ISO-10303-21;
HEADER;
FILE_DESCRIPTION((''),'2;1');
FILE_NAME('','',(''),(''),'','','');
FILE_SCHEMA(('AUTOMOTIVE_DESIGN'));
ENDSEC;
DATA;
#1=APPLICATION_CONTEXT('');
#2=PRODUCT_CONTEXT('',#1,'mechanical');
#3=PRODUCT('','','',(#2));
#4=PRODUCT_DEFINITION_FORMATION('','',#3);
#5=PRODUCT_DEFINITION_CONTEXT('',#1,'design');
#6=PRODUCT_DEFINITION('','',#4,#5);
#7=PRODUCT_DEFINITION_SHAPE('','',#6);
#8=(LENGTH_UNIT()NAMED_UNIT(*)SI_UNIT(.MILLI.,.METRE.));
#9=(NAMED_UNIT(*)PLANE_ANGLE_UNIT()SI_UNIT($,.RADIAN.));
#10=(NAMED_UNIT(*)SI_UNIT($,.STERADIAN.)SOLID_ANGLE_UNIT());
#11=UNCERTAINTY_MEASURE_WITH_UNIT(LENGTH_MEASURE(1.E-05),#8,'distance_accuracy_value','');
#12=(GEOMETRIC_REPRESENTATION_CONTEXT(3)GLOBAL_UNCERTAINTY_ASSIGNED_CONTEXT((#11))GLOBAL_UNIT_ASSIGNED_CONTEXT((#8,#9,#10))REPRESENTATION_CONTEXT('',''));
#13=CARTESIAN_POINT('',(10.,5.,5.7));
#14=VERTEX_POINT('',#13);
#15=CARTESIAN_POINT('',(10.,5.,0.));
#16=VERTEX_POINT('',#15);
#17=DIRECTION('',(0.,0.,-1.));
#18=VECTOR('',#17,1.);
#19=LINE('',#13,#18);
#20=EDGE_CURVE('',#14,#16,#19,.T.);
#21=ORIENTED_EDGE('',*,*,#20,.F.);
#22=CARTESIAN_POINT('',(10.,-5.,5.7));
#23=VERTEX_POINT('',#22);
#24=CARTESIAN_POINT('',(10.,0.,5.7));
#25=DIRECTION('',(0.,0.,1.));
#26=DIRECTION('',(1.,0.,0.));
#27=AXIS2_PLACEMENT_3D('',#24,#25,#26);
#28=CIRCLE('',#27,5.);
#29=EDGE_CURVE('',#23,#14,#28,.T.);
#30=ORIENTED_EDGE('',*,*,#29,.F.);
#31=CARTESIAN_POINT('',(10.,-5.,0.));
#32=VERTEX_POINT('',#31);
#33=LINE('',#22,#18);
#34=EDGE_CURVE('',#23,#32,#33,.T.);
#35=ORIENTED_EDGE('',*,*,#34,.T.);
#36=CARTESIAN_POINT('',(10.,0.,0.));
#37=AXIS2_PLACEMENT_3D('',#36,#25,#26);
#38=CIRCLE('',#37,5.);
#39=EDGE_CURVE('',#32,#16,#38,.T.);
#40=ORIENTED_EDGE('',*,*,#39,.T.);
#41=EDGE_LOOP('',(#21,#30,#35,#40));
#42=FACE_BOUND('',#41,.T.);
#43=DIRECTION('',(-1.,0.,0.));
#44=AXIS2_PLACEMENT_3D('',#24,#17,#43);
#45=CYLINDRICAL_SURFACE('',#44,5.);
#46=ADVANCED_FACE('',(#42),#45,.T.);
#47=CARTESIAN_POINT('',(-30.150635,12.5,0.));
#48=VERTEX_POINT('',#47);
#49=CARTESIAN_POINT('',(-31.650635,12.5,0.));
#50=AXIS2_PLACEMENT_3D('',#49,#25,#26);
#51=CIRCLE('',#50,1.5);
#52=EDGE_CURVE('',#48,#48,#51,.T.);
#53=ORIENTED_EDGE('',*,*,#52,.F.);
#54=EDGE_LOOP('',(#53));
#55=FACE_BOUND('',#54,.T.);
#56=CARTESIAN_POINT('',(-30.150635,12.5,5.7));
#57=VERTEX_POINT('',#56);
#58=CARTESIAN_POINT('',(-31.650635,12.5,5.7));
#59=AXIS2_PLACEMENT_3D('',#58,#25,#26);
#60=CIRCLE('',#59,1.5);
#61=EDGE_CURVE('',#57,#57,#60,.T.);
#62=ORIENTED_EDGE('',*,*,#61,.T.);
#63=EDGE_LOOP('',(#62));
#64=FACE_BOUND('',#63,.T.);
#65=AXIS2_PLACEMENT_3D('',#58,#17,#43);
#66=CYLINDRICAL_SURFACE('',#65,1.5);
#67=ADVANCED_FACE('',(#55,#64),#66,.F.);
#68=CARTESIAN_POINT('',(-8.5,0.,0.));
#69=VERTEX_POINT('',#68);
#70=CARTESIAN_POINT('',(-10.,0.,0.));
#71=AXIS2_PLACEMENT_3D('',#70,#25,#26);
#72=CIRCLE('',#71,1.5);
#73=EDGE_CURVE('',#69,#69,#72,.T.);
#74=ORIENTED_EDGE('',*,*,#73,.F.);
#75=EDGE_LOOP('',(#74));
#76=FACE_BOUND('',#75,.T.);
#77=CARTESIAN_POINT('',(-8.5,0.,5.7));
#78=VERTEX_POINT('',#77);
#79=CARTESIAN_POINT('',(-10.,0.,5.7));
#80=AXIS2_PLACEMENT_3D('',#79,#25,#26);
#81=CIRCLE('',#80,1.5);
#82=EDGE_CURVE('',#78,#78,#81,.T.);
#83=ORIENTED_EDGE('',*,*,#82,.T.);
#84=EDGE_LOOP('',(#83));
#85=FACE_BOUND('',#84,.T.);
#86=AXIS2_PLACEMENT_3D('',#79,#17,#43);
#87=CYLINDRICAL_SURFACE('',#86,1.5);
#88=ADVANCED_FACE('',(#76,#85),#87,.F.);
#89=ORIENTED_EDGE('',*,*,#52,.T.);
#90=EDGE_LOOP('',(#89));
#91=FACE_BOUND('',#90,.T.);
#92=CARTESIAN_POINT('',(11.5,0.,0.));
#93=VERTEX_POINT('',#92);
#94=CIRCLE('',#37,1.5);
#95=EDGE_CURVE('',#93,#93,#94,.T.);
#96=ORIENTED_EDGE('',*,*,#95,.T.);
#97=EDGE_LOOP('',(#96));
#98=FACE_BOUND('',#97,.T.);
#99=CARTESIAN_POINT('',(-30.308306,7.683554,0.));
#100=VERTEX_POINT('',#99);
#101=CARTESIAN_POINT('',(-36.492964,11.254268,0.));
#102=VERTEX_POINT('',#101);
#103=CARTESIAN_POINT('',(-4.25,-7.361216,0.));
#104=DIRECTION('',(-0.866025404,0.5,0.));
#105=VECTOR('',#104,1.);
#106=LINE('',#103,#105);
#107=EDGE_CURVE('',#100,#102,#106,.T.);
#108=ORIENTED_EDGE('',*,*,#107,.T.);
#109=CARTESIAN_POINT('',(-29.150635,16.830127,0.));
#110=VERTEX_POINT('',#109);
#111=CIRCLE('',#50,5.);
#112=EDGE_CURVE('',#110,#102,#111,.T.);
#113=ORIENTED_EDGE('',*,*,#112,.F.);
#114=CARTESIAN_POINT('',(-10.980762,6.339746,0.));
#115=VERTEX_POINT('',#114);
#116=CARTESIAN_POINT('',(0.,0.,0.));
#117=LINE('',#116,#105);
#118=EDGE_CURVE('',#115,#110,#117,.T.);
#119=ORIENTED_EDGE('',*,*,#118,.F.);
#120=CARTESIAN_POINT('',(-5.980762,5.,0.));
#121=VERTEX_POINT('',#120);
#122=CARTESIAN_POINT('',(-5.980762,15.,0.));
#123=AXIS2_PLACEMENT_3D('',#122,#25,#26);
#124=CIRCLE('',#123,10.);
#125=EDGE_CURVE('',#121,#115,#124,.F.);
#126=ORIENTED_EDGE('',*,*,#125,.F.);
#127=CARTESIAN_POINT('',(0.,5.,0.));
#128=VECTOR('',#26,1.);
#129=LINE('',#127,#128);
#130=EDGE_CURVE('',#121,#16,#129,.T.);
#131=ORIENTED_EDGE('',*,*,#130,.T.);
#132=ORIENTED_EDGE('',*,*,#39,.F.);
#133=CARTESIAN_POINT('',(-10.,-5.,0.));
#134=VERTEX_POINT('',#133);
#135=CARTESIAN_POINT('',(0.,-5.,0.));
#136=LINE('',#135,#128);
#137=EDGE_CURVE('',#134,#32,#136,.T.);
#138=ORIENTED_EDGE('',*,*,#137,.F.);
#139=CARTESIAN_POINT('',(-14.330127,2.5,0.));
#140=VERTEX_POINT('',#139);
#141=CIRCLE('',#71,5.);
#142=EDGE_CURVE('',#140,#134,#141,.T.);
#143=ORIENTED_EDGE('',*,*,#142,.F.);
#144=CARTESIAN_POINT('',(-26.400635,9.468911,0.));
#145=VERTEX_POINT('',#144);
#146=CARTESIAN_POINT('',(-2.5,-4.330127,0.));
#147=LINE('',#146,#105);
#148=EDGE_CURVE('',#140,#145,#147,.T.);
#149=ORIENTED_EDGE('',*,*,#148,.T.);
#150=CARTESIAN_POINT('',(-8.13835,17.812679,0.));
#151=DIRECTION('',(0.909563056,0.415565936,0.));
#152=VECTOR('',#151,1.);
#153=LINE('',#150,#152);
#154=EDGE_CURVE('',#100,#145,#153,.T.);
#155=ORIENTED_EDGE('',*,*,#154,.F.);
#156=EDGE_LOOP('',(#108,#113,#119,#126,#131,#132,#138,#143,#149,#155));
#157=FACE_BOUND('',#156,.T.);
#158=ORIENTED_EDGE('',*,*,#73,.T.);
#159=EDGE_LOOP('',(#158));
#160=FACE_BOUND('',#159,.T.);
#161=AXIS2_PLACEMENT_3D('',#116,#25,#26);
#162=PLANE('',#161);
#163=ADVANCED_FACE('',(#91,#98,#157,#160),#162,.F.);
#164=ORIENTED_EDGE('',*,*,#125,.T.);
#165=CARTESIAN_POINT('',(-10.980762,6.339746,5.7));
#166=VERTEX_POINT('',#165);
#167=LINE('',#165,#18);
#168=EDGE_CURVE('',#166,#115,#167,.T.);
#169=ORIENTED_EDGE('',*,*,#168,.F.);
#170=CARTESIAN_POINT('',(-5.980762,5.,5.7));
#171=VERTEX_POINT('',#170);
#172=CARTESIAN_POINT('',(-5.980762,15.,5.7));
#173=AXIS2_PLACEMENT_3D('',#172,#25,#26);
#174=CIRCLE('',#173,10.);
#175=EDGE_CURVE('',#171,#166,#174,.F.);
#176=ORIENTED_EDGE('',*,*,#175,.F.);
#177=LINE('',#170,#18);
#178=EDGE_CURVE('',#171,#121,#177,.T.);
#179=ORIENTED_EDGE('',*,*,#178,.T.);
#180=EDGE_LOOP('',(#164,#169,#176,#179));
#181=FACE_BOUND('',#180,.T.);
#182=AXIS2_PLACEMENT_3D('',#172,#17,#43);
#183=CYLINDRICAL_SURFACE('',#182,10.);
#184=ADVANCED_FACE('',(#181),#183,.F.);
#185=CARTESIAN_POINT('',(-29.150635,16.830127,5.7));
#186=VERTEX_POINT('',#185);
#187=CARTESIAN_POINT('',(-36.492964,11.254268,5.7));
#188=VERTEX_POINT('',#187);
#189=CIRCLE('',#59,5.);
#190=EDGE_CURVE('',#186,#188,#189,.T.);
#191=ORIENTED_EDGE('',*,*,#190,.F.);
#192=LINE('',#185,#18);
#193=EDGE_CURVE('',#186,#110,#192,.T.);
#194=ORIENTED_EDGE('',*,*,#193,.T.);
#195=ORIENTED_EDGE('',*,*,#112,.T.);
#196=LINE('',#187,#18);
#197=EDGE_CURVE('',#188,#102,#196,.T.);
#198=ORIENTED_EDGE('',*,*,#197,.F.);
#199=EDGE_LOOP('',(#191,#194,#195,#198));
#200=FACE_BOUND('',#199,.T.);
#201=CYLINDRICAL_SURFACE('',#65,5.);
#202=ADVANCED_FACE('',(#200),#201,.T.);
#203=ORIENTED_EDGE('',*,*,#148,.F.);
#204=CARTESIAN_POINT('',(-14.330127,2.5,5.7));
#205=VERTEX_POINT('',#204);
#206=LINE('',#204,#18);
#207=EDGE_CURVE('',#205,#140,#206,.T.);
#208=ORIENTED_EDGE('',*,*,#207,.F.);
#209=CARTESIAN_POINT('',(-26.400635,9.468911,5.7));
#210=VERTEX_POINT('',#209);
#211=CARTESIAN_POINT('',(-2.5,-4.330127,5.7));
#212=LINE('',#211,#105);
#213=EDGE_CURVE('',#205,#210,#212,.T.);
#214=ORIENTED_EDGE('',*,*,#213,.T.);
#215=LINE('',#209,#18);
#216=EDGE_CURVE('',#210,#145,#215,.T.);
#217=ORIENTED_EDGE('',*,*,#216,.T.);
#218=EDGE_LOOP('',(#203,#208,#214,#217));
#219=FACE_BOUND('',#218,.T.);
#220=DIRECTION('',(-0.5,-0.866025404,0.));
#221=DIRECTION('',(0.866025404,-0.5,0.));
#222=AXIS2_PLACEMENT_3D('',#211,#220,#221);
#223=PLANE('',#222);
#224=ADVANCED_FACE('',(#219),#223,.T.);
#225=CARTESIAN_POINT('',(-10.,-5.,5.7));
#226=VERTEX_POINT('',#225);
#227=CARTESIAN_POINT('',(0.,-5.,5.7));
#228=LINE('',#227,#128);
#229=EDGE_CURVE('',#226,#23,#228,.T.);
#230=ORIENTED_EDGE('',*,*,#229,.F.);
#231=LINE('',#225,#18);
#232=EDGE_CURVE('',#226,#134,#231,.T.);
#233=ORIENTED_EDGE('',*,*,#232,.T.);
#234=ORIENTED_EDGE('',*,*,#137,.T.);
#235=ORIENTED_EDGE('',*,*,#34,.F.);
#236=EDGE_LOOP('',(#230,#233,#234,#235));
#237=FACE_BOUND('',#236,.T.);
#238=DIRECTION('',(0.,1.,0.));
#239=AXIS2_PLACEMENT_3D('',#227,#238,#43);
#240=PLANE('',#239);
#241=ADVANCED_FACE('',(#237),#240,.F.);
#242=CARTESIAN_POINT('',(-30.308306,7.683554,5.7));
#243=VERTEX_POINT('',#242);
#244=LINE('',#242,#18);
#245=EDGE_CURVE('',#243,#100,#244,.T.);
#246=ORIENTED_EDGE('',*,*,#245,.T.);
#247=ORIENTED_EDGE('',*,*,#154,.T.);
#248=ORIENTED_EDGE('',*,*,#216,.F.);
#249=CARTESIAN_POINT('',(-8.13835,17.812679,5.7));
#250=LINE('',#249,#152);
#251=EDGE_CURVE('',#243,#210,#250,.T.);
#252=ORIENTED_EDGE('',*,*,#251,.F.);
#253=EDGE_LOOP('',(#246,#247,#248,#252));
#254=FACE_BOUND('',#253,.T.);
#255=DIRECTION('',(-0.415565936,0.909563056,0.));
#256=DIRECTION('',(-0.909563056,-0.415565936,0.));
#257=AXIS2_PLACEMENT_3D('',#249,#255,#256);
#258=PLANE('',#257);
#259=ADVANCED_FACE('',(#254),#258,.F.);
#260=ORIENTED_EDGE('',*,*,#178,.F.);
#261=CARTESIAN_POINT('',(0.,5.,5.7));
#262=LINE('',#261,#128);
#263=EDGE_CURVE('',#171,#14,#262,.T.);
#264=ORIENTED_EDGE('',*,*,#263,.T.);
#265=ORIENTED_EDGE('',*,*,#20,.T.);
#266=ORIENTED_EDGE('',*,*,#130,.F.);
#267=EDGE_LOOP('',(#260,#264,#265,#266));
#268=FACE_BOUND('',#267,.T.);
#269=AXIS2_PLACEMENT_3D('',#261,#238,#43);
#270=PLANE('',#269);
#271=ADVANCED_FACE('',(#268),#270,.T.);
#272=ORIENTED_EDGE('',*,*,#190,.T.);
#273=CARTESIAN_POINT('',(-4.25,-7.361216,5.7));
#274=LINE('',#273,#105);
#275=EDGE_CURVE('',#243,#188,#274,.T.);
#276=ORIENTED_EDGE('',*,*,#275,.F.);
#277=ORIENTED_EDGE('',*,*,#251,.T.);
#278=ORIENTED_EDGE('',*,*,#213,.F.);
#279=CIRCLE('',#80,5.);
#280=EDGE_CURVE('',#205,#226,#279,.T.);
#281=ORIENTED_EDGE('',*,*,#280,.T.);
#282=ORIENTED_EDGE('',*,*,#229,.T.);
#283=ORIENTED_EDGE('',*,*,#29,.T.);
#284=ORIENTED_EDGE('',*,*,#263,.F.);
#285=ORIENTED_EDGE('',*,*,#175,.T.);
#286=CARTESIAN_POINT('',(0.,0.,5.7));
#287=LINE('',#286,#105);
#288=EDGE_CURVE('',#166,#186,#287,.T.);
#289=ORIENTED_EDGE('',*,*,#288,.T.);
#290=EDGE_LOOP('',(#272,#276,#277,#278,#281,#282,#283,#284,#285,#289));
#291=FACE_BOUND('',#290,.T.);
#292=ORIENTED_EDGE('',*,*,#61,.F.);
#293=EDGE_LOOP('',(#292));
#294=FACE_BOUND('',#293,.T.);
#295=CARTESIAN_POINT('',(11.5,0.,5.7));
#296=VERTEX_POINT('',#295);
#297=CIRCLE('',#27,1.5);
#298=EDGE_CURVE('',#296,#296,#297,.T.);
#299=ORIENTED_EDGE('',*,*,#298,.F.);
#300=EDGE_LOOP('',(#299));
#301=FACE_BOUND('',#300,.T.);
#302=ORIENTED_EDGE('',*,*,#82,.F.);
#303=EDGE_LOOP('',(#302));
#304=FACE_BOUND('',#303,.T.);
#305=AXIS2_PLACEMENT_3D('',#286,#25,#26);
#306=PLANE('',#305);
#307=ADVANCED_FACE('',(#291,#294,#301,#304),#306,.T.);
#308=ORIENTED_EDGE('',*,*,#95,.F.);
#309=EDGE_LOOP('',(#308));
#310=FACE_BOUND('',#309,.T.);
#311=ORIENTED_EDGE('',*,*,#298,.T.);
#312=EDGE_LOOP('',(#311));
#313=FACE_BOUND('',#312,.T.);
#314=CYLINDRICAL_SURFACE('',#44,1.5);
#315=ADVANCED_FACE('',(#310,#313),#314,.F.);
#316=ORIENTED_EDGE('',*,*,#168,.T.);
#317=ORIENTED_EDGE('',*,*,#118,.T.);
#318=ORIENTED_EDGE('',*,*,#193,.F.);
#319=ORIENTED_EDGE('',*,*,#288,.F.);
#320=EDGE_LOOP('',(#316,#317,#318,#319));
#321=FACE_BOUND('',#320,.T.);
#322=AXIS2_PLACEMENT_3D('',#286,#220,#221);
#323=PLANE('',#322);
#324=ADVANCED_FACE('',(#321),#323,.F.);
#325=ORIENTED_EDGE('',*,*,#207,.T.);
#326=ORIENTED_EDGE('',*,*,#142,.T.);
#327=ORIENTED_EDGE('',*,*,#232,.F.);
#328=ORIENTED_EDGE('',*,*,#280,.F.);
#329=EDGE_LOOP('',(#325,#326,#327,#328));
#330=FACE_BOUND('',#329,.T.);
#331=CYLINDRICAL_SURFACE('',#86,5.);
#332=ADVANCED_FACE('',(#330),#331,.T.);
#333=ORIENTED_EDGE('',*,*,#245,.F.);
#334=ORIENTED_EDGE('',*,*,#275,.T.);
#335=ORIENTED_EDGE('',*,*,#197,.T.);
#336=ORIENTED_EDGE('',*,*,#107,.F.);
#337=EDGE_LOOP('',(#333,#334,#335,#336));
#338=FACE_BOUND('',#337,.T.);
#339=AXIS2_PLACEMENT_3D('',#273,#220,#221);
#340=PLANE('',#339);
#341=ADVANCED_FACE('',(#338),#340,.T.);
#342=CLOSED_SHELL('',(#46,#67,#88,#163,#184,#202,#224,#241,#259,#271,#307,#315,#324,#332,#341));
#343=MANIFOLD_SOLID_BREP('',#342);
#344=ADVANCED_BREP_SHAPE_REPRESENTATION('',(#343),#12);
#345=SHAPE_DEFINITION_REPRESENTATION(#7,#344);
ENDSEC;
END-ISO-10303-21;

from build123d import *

# Parameters (mm, degrees)
SKETCH_1_R      = 1.5
EXTRUDE_1_DEPTH = 5.7


with BuildPart() as part:
    # 스케치1 → 보스-돌출1 (new body)
    with BuildSketch(Plane.XY):
        with BuildLine():
            Line((-5.980762114, 5), (10, 5))
            ThreePointArc((10, 5), (15, 0), (10, -5))
            Line((10, -5), (-10, -5))
            ThreePointArc((-10, -5), (-14.330127019, -2.5), (-14.330127019, 2.5))
            Line((-14.330127019, 2.5), (-26.400635095, 9.468911087))
            Line((-26.400635095, 9.468911087), (-30.308305875, 7.68355398))
            Line((-30.308305875, 7.68355398), (-33.400635095, 9.468911087))
            Line((-33.400635095, 9.468911087), (-36.492964314, 11.254268194))
            ThreePointArc((-36.492964314, 11.254268194), (-34.674569114, 16.481937097), (-29.150635095, 16.830127019))
            Line((-29.150635095, 16.830127019), (-10.980762114, 6.339745962))
            ThreePointArc((-10.980762114, 6.339745962), (-8.568952565, 5.340741737), (-5.980762114, 5))
        make_face()
        with Locations((-10, 0)):
            Circle(SKETCH_1_R, mode=Mode.SUBTRACT)
        with Locations((10, 0)):
            Circle(SKETCH_1_R, mode=Mode.SUBTRACT)
        with Locations((-31.650635095, 12.5)):
            Circle(SKETCH_1_R, mode=Mode.SUBTRACT)
    extrude(amount=EXTRUDE_1_DEPTH)


solid = part.part
